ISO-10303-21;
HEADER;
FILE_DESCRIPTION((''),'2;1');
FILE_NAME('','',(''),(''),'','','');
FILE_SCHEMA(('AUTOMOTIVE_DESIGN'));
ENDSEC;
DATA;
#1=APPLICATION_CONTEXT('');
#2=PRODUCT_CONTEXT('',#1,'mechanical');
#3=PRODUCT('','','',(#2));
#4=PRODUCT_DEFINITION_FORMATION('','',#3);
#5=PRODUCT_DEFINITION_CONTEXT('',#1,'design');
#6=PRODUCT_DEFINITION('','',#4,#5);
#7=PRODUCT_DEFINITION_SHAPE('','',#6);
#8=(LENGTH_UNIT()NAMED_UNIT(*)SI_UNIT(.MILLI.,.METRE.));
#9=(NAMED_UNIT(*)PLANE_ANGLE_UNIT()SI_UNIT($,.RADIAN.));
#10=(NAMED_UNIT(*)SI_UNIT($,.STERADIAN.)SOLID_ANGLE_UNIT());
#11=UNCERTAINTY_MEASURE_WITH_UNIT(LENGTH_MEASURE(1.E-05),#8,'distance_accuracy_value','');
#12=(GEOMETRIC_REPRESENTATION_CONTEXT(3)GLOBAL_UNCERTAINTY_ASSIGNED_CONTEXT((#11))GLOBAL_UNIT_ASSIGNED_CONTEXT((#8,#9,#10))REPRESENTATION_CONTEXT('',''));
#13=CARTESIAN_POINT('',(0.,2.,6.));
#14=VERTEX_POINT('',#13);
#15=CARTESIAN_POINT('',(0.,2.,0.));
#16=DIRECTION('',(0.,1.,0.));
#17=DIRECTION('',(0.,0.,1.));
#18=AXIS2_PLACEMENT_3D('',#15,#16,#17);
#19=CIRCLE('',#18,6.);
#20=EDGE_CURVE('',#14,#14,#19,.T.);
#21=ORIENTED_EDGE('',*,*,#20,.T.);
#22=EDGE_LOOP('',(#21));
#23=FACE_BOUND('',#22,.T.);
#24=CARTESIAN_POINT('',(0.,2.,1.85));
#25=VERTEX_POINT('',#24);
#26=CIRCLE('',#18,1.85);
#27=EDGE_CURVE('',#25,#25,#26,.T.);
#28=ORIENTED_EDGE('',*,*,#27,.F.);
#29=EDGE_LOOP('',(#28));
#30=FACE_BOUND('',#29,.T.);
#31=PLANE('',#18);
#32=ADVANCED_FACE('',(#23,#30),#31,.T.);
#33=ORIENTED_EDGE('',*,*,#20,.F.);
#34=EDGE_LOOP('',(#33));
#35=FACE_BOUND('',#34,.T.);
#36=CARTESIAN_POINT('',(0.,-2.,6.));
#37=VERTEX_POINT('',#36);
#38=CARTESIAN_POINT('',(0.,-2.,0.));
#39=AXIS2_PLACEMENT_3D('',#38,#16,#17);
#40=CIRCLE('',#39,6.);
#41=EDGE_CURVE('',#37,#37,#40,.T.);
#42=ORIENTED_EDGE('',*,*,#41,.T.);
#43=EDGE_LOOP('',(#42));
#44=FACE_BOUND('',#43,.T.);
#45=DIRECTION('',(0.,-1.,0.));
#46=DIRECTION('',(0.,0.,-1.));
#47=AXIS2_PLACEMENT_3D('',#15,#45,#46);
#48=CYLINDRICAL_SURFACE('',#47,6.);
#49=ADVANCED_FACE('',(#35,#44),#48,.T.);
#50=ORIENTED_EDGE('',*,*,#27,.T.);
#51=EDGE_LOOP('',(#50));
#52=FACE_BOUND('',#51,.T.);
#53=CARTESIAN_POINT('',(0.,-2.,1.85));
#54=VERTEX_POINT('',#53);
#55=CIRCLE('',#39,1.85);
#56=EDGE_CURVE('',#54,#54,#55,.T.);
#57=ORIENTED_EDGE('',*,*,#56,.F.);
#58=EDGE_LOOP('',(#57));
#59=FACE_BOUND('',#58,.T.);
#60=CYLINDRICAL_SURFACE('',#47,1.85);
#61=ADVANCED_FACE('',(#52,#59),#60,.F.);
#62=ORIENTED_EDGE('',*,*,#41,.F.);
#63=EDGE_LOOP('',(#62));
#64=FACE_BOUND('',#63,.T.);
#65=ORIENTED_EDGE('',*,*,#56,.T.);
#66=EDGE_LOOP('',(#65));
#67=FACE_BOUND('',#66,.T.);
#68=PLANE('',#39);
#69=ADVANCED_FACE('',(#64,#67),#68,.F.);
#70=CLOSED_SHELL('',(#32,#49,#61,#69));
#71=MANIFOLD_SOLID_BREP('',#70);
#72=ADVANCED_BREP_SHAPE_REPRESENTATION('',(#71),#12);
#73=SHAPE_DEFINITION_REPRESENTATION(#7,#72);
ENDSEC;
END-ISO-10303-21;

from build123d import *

# Parameters (mm, degrees)
SKETCH1_R           = 6
SKETCH1_R_2         = 1.85
BOSS_EXTRUDE1_DEPTH = 2


with BuildPart() as part:
    # Sketch1 → Boss-Extrude1 (new body, symmetric)
    with BuildSketch(Plane(origin=(0, 0, 0), x_dir=(1, 0, 0), z_dir=(0, 1, 0))):
        Circle(SKETCH1_R)
        Circle(SKETCH1_R_2, mode=Mode.SUBTRACT)
    extrude(amount=BOSS_EXTRUDE1_DEPTH, both=True)


solid = part.part
